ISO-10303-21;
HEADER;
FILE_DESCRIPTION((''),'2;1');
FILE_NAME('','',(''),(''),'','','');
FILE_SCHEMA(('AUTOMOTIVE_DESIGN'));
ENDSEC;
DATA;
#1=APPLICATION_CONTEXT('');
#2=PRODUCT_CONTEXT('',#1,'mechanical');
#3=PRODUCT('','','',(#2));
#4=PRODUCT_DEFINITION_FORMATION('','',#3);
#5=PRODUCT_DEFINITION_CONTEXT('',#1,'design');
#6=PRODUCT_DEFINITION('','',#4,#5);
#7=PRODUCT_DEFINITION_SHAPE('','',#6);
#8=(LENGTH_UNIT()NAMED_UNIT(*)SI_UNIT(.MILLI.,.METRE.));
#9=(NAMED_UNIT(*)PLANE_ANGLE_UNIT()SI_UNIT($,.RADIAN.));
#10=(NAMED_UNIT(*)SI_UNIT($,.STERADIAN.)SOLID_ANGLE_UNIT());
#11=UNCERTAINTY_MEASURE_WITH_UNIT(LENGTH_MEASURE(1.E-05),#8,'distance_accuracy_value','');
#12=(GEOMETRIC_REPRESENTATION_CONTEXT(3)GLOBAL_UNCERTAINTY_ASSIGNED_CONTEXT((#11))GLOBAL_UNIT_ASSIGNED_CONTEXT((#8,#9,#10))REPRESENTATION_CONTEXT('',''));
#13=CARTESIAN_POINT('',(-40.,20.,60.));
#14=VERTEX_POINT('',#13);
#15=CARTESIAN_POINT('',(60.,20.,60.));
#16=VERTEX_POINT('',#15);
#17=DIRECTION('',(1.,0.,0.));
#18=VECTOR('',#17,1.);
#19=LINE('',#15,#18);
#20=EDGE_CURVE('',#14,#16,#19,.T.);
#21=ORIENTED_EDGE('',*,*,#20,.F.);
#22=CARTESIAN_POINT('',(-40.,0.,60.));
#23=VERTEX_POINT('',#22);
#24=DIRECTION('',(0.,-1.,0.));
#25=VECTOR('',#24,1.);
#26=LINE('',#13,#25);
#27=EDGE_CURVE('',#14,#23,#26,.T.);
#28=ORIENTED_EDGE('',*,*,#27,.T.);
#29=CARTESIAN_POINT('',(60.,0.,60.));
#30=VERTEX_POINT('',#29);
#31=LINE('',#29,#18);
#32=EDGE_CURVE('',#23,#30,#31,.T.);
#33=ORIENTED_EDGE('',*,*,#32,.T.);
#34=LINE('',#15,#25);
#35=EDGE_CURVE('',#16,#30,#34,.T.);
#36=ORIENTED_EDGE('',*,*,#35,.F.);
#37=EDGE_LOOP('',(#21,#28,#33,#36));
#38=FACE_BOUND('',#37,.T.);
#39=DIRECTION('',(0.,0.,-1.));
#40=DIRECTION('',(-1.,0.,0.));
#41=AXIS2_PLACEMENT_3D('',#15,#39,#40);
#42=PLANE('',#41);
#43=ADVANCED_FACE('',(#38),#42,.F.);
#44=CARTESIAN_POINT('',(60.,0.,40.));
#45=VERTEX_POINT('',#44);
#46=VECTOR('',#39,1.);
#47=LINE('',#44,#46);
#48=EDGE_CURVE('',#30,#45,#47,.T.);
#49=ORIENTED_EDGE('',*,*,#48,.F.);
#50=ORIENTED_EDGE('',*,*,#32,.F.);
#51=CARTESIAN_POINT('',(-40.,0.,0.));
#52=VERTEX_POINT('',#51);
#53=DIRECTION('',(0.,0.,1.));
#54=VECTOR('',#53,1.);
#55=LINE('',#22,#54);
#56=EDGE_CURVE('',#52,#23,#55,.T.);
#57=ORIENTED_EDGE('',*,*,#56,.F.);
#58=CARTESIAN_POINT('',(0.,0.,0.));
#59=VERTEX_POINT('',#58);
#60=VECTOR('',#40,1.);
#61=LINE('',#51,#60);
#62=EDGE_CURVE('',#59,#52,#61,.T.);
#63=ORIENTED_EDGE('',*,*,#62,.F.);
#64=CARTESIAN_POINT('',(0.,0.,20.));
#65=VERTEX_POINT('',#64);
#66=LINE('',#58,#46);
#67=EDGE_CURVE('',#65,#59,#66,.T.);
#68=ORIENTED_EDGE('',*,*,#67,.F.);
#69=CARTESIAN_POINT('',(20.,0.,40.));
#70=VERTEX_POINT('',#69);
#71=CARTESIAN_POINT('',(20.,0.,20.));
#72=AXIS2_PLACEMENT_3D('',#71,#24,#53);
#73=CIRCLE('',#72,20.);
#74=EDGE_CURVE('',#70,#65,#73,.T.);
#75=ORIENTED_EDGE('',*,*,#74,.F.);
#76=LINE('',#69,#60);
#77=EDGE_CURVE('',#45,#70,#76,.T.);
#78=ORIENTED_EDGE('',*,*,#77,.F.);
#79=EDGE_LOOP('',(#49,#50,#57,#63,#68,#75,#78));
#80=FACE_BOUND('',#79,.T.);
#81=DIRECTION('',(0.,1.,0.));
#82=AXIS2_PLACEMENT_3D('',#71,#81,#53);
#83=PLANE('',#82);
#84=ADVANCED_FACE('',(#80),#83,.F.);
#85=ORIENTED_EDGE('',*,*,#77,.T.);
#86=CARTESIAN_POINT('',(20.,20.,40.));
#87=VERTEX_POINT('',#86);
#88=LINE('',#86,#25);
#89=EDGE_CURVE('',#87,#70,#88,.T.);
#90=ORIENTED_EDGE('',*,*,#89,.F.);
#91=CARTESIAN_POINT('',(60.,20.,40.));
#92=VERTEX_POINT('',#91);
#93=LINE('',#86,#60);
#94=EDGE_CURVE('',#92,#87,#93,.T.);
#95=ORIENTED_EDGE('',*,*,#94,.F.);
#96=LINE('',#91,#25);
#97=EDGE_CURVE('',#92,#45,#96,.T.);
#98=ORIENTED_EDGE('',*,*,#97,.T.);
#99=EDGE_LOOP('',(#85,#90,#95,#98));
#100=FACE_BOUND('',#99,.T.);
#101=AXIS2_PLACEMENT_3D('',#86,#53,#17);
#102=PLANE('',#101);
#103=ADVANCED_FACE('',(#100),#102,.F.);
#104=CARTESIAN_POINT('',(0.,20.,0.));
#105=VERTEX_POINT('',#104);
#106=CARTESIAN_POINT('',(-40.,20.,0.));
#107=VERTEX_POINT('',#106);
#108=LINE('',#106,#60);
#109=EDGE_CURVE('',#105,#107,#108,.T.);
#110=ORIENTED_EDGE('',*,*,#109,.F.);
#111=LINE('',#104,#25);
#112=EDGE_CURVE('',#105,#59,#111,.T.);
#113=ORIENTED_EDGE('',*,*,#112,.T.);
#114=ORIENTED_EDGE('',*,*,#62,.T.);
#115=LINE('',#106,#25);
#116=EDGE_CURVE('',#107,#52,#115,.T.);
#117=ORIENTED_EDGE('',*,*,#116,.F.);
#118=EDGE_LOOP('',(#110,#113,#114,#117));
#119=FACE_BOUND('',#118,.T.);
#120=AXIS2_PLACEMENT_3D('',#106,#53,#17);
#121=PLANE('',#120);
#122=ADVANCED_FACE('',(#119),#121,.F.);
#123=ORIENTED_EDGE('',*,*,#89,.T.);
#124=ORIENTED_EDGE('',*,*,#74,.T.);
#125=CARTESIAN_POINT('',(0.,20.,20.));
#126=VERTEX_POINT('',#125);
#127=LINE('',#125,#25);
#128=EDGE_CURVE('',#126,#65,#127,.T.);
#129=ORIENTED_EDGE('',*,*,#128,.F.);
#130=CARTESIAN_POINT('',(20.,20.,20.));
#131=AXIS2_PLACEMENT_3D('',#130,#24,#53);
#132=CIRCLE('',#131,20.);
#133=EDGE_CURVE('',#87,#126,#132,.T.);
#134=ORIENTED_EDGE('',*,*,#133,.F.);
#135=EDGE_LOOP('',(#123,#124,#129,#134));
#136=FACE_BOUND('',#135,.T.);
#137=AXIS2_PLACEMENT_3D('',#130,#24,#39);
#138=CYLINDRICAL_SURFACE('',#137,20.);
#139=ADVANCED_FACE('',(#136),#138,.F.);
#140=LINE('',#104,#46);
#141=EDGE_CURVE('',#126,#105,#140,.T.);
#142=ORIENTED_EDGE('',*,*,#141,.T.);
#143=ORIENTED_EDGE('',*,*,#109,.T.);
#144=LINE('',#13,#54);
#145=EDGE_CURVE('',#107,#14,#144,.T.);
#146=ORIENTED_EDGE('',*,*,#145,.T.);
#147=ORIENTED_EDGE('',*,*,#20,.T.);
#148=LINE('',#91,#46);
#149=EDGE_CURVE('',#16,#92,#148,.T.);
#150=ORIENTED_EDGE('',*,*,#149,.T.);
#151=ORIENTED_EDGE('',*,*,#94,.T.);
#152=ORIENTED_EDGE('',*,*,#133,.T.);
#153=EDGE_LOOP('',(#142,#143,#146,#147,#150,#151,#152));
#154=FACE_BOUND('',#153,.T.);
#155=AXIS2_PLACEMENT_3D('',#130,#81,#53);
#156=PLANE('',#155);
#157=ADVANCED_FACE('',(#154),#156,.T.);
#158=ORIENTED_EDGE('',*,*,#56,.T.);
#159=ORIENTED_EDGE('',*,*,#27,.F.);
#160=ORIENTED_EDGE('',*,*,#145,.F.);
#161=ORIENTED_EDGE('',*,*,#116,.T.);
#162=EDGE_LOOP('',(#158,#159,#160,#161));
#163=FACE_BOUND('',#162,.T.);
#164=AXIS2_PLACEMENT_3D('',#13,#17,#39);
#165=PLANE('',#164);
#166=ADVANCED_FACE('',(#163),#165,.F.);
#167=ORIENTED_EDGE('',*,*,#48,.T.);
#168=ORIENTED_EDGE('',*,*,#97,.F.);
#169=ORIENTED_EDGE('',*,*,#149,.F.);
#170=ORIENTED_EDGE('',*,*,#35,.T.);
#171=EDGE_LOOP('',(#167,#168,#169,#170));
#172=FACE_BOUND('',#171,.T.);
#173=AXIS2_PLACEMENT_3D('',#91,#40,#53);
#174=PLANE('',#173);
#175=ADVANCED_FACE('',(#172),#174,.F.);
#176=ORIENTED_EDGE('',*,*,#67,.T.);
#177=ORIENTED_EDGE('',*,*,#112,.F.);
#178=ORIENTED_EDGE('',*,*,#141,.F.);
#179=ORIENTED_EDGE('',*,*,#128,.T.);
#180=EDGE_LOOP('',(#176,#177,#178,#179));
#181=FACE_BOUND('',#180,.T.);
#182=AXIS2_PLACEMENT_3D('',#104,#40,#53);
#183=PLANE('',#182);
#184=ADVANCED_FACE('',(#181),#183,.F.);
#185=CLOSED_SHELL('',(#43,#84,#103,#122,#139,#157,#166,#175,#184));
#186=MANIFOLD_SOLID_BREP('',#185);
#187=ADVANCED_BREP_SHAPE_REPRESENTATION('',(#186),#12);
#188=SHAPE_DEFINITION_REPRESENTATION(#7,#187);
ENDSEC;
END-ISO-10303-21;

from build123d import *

# Parameters (mm, degrees)
BOSS_EXTRUDE1_DEPTH = 20


with BuildPart() as part:
    # Sketch2 → Boss-Extrude1 (new body)
    with BuildSketch(Plane(origin=(0, 0, 0), x_dir=(1, 0, 0), z_dir=(0, 1, 0))):
        with BuildLine():
            Line((0, 0), (0, -20))
            ThreePointArc((0, -20), (5.857864376, -34.142135624), (20, -40))
            Line((20, -40), (60, -40))
            Line((60, -40), (60, -60))
            Line((60, -60), (-40, -60))
            Line((-40, -60), (-40, 0))
            Line((-40, 0), (0, 0))
        make_face()
    extrude(amount=BOSS_EXTRUDE1_DEPTH)


solid = part.part
